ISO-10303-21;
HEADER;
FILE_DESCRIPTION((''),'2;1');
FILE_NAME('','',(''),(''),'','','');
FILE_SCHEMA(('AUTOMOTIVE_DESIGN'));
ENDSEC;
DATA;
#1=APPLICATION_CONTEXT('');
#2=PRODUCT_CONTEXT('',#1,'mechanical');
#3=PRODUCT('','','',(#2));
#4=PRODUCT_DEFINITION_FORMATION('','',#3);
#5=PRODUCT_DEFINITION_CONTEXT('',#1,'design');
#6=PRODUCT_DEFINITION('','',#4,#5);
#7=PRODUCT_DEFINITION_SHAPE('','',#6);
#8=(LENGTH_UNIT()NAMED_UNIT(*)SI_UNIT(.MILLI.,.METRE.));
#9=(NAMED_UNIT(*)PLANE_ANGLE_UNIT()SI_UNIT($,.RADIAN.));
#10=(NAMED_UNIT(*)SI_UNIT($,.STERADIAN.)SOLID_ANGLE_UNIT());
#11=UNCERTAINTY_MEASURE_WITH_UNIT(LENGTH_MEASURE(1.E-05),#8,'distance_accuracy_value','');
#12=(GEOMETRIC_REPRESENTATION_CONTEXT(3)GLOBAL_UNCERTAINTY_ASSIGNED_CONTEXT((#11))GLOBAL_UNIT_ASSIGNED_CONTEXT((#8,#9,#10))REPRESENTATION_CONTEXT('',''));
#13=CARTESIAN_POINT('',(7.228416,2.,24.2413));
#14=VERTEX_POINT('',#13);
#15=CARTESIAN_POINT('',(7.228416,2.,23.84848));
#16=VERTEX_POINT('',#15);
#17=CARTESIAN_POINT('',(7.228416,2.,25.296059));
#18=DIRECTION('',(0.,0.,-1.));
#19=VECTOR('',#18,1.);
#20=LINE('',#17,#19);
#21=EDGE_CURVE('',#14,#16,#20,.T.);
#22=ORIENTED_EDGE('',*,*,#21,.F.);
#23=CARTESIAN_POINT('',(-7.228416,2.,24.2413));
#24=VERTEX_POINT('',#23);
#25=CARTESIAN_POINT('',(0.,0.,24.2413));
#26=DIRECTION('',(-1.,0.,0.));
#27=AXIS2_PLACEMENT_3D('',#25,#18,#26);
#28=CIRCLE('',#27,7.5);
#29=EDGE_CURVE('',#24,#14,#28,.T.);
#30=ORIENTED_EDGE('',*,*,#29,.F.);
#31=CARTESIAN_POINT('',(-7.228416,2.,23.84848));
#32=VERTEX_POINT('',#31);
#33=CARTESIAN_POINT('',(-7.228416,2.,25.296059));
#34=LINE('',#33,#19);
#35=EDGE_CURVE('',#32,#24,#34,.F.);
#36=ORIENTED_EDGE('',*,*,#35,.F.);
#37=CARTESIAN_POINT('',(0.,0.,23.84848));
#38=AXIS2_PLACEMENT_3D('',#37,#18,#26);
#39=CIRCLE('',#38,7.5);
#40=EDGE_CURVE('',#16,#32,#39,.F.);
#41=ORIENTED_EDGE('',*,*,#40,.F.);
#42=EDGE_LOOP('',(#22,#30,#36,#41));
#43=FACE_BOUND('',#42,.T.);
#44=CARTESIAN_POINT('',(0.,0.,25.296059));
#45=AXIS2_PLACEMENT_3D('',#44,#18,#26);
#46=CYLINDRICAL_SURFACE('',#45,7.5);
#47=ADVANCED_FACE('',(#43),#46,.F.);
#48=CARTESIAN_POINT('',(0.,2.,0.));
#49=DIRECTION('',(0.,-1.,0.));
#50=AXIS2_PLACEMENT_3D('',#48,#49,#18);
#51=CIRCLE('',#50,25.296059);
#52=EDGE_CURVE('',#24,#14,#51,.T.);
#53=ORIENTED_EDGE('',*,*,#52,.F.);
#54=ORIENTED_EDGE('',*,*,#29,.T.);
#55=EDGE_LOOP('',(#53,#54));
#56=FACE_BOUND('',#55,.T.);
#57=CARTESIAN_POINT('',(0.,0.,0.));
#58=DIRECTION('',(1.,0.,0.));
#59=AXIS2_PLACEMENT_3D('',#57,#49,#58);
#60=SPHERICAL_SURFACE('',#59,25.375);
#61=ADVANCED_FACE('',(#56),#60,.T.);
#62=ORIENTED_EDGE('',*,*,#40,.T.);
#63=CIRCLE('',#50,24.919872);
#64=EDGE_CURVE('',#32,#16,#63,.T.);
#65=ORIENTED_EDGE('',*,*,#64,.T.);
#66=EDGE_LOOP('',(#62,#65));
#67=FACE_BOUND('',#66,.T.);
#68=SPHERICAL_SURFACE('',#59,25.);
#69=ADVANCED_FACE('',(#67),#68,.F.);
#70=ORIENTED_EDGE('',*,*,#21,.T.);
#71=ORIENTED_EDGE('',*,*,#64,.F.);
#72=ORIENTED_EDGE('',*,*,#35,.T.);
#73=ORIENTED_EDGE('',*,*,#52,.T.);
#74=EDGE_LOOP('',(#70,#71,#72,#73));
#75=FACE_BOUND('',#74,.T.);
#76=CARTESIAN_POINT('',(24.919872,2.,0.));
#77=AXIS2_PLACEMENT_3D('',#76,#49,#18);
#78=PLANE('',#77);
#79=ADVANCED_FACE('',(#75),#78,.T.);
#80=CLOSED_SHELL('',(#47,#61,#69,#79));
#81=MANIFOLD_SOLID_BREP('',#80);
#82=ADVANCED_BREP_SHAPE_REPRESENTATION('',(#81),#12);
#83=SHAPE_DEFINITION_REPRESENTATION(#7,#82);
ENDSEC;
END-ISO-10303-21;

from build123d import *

# Parameters (mm, degrees)
SKETCH2_R          = 7.5
CUT_EXTRUDE1_DEPTH = 44.859683936


with BuildPart() as part:
    # Sketch1 → Revolve1 (revolve)
    with BuildSketch(Plane.XY):
        with BuildLine():
            Line((0, 25), (0, 25.375))
            ThreePointArc((0, 25.375), (17.221216929, 18.636531665), (25.296059476, 2))
            Line((25.296059476, 2), (24.919871589, 2))
            ThreePointArc((24.919871589, 2), (16.955824958, 18.371173071), (0, 25))
        make_face()
    revolve(axis=Axis((0, 25, 0), (0, 1, 0)))

    # Sketch2 → Cut-Extrude1 (cut, through all)
    with BuildSketch(Plane.XY):
        Circle(SKETCH2_R)
    extrude(amount=CUT_EXTRUDE1_DEPTH, mode=Mode.SUBTRACT)


solid = part.part
